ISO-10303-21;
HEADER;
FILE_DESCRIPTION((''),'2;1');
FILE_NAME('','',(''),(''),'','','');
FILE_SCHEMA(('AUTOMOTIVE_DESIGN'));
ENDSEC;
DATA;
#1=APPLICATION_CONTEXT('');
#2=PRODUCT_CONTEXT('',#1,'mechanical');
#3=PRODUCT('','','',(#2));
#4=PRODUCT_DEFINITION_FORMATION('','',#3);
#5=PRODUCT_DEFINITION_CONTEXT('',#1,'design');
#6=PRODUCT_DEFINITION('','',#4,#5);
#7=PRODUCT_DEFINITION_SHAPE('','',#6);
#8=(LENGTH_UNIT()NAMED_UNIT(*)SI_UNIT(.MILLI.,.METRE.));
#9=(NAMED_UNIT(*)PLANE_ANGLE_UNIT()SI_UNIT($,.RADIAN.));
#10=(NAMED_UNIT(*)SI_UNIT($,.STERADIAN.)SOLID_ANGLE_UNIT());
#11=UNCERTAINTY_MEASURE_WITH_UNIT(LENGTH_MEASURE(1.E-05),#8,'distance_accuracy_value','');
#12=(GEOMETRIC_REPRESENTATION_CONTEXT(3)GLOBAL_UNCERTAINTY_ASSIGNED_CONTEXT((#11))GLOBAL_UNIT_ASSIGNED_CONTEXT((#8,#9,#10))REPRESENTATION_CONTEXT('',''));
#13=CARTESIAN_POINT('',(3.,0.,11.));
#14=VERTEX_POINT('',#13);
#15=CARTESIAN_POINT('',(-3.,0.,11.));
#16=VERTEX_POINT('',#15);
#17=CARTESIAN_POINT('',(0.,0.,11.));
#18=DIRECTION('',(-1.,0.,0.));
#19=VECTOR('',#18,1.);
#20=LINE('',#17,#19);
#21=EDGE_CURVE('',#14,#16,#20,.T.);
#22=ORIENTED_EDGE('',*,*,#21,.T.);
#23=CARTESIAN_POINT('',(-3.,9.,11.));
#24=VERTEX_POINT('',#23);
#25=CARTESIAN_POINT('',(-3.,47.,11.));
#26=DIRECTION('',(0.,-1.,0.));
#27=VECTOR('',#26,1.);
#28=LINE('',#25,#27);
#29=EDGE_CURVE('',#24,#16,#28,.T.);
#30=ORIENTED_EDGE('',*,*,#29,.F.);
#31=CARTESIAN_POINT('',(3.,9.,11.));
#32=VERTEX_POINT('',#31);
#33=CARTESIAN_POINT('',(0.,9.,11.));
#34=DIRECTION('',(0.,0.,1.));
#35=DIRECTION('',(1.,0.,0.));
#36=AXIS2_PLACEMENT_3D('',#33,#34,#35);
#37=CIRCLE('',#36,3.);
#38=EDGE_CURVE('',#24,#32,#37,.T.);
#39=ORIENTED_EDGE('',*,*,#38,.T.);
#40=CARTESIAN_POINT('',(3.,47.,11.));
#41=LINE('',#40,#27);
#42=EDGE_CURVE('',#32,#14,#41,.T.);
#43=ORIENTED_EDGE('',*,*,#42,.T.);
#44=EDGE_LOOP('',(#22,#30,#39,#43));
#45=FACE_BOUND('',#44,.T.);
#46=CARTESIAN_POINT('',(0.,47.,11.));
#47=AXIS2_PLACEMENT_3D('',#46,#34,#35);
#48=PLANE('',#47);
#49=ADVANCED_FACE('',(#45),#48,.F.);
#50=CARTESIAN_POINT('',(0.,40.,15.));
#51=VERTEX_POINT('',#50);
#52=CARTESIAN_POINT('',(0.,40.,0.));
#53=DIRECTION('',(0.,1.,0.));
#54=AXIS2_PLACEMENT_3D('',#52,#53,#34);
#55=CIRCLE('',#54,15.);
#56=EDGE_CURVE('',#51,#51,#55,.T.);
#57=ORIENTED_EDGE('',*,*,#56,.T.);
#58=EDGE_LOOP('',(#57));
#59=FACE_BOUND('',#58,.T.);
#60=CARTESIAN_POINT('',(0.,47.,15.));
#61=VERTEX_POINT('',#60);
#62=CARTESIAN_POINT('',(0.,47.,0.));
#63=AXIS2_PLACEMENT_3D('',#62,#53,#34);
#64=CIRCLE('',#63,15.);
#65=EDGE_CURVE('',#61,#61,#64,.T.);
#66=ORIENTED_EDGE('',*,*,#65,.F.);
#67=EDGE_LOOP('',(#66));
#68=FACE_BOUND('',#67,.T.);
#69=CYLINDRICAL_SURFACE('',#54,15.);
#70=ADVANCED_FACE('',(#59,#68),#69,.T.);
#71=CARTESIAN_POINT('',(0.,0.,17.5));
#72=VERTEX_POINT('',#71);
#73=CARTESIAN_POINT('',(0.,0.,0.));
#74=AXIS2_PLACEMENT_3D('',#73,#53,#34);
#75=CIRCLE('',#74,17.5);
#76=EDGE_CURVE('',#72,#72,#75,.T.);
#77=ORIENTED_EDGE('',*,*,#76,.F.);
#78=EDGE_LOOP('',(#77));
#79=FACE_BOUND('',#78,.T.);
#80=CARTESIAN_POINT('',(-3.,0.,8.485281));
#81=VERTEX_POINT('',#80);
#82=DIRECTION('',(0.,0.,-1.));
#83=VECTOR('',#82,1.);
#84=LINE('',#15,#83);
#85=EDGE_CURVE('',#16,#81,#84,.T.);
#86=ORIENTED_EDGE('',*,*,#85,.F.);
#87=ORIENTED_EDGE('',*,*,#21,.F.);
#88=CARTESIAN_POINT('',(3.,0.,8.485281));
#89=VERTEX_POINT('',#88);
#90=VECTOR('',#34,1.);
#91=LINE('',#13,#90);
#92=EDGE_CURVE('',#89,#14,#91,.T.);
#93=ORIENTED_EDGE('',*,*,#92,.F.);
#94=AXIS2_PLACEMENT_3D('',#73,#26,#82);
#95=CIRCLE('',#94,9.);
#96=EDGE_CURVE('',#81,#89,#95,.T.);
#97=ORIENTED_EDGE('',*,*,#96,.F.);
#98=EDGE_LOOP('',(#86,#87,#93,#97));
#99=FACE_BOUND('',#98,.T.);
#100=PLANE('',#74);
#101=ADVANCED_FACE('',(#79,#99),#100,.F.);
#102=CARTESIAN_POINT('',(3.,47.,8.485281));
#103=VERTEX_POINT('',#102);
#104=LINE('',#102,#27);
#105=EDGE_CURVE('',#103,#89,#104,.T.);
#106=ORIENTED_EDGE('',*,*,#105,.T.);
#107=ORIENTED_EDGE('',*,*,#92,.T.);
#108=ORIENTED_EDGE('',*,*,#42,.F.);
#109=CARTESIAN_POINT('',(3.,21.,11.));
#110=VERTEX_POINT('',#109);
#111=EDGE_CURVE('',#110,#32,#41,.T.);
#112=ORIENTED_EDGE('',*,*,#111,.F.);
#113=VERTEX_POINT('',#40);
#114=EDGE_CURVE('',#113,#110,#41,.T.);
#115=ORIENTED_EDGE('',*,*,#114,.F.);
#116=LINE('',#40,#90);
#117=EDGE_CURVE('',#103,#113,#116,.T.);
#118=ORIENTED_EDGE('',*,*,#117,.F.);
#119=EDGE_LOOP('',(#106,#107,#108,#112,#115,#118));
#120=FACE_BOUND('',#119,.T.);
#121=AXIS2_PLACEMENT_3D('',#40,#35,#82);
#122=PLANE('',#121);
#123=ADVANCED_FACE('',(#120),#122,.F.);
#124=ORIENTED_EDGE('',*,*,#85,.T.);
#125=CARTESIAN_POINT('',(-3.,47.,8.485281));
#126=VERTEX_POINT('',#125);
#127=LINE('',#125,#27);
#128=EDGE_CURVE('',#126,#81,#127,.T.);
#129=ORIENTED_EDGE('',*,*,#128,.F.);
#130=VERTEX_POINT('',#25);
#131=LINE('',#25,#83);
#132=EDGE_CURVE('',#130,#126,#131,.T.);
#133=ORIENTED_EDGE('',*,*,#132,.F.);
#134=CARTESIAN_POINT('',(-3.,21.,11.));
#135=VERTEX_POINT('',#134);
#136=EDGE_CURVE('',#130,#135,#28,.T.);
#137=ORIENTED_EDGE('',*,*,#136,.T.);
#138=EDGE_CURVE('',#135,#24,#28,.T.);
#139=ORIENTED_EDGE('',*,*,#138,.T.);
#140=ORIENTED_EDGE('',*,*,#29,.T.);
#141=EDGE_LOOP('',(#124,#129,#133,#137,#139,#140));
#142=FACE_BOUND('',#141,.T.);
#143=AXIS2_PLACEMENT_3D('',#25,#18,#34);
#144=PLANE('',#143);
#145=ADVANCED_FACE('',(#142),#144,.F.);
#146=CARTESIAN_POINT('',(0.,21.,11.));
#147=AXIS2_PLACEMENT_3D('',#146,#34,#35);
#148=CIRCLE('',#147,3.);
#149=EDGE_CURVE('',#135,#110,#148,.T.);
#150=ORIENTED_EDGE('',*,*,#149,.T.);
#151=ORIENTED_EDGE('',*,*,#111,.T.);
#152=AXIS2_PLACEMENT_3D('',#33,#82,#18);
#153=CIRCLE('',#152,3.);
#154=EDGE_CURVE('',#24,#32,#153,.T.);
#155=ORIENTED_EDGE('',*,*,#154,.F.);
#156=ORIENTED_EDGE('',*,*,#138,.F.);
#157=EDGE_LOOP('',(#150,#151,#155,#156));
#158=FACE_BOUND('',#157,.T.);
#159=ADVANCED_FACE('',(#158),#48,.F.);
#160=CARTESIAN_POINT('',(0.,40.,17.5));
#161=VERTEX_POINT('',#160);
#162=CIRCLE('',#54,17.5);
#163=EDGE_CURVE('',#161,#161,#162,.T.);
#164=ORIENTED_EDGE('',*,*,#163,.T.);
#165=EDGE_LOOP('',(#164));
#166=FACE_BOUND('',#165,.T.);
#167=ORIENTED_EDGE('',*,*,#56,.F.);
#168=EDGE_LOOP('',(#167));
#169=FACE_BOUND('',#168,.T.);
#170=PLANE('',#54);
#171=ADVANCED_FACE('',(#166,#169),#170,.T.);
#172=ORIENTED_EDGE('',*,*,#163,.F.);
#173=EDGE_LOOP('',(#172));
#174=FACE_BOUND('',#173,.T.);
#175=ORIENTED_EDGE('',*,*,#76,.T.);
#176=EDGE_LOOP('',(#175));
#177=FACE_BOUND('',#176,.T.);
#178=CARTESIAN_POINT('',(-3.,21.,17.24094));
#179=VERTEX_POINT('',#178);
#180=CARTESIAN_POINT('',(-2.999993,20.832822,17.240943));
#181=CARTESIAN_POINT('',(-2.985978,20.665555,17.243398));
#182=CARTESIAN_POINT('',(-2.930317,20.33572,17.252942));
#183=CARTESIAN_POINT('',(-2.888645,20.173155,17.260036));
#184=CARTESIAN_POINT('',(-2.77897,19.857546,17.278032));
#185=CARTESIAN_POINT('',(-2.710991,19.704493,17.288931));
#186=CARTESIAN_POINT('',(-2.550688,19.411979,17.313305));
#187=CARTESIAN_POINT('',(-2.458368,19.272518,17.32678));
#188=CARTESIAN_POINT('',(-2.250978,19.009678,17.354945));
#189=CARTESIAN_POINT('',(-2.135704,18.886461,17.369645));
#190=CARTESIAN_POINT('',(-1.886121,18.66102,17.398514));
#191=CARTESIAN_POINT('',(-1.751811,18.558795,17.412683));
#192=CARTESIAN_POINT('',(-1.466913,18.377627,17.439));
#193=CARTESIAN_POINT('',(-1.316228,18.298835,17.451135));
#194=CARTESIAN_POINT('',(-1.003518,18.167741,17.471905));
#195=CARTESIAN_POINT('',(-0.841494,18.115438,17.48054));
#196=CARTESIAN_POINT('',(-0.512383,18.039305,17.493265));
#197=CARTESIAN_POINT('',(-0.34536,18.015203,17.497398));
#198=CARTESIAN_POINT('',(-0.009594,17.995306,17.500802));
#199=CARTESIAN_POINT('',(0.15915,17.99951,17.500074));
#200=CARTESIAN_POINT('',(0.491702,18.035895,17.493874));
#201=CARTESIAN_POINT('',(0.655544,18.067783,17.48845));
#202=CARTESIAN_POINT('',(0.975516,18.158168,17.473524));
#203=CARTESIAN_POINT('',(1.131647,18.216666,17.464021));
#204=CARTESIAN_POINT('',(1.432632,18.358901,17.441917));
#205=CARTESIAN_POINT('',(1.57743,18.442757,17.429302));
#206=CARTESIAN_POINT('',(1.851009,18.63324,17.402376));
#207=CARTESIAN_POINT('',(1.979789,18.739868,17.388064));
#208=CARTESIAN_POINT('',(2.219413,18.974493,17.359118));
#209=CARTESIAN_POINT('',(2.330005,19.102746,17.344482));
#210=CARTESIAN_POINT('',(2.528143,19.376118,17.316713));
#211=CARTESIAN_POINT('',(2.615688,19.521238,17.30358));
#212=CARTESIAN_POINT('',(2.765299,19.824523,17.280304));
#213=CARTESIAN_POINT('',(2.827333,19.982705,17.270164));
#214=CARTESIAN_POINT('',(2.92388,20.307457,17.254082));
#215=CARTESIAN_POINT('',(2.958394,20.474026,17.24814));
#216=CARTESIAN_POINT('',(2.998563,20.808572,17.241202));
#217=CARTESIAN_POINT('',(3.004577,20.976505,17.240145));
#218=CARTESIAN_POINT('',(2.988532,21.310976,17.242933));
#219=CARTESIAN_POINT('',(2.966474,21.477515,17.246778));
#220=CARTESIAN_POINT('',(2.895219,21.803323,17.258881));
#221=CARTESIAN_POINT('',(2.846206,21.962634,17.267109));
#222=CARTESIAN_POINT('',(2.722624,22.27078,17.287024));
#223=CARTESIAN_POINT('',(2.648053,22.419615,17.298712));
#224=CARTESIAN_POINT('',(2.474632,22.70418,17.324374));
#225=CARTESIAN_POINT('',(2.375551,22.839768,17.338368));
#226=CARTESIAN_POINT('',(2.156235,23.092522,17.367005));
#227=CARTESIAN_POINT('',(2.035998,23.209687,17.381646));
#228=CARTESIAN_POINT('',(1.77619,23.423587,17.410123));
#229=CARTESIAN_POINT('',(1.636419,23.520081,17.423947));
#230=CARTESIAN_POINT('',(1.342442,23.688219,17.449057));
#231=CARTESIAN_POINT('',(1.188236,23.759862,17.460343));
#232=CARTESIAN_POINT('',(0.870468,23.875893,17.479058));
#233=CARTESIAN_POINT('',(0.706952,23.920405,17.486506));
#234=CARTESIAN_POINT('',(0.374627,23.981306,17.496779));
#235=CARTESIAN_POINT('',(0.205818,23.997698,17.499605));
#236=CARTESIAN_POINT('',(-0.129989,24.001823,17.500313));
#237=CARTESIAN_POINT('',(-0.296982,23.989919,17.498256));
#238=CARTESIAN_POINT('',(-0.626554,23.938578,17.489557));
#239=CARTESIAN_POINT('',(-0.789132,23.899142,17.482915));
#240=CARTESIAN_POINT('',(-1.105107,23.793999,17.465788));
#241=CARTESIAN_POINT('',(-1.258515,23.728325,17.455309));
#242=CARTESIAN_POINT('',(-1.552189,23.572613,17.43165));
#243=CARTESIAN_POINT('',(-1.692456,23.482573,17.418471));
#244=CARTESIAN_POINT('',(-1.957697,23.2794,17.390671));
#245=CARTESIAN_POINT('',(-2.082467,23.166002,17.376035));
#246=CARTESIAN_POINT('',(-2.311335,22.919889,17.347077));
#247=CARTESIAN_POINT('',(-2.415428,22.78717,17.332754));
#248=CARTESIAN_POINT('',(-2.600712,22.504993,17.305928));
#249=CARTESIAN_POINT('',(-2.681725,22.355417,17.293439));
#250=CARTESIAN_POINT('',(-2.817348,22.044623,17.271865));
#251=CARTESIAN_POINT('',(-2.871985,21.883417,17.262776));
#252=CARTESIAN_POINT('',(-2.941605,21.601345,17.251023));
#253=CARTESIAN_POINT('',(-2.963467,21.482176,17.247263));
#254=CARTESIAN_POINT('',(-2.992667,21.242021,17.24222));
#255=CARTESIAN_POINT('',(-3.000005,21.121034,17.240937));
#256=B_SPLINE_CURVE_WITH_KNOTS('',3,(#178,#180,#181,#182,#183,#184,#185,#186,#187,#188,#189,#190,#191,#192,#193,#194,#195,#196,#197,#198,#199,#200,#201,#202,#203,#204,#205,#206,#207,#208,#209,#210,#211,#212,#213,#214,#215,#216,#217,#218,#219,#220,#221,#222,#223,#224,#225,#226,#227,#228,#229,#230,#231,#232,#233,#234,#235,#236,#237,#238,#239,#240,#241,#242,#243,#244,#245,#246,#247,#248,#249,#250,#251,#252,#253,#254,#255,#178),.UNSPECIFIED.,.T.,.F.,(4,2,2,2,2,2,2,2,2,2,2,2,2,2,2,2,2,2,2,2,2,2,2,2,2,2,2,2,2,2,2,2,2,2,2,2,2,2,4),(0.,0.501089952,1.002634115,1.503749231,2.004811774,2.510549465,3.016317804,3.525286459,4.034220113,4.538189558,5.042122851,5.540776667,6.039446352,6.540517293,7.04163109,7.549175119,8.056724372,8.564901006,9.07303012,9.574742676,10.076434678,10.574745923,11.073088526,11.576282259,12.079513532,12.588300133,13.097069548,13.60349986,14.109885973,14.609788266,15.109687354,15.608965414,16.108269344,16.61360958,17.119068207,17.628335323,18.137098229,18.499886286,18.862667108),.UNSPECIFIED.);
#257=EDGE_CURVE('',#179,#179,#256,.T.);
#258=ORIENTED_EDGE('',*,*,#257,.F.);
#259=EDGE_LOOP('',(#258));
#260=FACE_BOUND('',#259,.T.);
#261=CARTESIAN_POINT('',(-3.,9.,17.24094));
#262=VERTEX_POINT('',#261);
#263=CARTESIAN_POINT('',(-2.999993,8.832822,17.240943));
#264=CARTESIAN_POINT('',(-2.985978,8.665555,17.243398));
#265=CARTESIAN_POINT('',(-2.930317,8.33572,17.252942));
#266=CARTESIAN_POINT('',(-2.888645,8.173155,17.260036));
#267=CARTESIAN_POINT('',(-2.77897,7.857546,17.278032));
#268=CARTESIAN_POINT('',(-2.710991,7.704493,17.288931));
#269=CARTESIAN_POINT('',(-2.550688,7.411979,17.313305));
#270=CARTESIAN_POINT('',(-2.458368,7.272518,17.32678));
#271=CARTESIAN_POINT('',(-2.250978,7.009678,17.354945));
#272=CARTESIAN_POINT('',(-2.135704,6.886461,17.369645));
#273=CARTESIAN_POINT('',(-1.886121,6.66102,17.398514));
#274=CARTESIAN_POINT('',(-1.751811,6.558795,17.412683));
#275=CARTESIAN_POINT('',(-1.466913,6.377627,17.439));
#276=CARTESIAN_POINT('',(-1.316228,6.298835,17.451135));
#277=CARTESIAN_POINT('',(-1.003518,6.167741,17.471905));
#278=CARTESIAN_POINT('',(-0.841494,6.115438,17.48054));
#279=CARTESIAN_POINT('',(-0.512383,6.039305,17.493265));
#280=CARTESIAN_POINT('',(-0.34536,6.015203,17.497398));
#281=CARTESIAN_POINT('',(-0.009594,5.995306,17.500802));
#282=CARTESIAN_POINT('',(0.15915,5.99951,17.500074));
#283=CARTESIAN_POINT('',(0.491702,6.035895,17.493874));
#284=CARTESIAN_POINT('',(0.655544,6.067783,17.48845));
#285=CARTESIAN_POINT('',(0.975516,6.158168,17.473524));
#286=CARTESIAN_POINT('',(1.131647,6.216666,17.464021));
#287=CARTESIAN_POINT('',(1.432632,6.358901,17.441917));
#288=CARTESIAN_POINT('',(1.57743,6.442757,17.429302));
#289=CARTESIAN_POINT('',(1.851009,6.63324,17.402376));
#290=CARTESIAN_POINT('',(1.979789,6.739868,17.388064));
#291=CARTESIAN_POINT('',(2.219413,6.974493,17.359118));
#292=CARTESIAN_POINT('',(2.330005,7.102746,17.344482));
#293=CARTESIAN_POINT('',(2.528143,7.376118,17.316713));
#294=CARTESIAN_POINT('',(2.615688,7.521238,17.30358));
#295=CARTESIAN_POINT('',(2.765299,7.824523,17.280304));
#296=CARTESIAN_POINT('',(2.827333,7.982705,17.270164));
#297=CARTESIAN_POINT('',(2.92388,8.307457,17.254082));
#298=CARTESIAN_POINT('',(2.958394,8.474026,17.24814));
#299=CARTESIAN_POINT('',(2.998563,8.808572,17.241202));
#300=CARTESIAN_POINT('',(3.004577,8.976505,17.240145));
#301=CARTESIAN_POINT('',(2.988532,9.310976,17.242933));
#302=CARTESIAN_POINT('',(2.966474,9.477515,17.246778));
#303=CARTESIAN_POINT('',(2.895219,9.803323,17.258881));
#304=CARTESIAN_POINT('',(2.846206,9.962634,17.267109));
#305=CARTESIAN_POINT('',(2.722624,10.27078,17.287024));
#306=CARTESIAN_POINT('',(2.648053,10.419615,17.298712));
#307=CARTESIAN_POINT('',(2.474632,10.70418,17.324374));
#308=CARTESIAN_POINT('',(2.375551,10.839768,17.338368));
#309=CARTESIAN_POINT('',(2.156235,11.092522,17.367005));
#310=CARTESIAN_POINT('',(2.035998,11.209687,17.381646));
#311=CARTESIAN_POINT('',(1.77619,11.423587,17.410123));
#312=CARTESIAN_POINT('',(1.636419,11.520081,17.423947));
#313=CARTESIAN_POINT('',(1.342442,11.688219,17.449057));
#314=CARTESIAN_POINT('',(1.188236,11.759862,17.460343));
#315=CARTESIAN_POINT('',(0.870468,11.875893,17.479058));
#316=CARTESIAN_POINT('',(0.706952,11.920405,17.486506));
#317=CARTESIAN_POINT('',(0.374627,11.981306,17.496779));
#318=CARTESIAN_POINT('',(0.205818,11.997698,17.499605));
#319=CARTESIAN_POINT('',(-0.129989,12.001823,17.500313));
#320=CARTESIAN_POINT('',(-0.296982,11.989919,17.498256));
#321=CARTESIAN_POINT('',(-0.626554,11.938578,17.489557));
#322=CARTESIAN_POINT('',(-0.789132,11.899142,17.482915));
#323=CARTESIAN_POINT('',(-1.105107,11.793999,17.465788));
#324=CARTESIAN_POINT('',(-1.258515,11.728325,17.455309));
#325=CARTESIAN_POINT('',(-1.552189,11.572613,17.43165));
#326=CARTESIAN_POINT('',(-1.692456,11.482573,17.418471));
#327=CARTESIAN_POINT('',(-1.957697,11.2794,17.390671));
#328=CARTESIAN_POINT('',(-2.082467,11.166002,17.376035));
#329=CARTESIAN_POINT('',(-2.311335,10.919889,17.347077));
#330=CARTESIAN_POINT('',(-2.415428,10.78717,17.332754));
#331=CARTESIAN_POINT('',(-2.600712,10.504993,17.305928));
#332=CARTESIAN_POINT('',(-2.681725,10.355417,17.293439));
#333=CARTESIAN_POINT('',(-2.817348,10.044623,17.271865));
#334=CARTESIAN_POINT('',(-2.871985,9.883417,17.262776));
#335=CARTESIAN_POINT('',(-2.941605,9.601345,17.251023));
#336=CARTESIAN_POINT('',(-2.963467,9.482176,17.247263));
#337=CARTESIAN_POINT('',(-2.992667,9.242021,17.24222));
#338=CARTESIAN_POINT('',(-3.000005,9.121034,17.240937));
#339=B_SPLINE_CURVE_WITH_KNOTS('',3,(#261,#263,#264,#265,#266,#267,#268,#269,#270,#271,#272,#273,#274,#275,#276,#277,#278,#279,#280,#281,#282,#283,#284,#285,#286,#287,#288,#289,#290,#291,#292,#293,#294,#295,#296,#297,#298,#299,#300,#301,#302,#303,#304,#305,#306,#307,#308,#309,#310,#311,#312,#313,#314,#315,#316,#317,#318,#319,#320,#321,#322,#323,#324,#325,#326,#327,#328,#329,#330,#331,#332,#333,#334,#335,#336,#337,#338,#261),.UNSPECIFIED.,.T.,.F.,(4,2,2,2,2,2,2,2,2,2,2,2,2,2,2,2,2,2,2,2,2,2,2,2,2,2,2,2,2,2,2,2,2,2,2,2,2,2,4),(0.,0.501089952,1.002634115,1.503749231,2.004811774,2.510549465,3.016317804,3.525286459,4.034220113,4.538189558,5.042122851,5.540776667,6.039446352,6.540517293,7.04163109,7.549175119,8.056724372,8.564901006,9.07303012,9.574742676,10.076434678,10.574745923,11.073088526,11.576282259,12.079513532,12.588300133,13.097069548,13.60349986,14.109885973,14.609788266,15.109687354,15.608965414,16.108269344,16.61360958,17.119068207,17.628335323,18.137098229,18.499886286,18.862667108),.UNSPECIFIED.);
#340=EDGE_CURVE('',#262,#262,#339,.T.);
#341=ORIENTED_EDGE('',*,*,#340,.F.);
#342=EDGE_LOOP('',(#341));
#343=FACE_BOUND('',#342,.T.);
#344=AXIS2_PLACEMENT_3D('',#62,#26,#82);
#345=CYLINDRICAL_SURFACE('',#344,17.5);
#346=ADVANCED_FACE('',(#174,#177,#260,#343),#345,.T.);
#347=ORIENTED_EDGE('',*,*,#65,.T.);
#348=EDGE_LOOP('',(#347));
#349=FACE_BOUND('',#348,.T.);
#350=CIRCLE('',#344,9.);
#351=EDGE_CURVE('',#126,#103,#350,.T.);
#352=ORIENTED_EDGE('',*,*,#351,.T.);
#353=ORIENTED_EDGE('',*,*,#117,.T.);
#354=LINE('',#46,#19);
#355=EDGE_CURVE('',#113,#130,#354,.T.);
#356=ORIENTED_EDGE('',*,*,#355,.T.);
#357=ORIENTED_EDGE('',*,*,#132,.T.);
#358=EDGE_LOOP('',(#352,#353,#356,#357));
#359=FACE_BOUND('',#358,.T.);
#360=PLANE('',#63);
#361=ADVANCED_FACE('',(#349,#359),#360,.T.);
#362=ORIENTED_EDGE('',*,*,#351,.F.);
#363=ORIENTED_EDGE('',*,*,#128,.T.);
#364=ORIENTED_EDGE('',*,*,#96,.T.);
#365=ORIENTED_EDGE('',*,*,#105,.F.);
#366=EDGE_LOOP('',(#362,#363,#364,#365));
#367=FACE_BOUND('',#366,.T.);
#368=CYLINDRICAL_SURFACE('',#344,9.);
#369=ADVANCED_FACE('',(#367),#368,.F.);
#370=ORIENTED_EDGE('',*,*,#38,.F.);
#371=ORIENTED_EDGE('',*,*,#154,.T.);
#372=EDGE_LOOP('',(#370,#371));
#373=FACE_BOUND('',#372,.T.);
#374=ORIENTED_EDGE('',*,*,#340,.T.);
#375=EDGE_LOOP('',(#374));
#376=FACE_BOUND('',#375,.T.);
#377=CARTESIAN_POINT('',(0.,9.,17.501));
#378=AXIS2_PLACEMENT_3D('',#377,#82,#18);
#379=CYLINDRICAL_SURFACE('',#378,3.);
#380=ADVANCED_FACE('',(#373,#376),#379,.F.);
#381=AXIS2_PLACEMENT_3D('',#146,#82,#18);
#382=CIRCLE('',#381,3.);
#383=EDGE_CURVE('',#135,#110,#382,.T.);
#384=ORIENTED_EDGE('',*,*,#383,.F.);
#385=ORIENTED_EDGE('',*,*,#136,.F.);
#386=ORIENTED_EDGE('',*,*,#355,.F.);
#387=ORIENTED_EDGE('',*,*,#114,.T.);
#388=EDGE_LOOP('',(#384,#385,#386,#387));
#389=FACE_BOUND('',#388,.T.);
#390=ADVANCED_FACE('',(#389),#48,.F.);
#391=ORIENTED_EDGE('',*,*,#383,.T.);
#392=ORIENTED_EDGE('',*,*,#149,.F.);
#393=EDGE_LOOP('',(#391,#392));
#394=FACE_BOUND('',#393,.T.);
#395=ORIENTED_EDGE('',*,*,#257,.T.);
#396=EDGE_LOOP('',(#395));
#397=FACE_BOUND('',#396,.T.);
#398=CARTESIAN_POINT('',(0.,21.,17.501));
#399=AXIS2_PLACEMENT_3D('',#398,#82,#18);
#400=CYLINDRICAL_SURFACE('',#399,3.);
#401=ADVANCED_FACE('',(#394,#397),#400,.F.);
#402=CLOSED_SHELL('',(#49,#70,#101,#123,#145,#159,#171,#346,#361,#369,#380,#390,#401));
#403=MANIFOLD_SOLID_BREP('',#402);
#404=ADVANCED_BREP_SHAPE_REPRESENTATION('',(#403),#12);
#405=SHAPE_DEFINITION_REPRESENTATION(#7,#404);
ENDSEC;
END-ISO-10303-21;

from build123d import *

# Parameters (mm, degrees)
SKETCH1_R               = 17.5
BOSS_EXTRUDE1_DEPTH     = 47
CUT_EXTRUDE1_START      = -7
SKETCH2_R               = 17.5
SKETCH2_R_2             = 15
CUT_EXTRUDE1_DEPTH      = 7
CUT_EXTRUDE2_DEPTH      = 54.117793629
CUT_EXTRUDE3_REACH      = 59.684
CUT_EXTRUDE3_END_RADIUS = 17.5
SKETCH4_R               = 3


with BuildPart() as part:
    # Sketch1 → Boss-Extrude1 (new body)
    with BuildSketch(Plane(origin=(0, 0, 0), x_dir=(1, 0, 0), z_dir=(0, 1, 0))):
        with Locations(Location((0, 0, 0), (0, 0, 270))):
            Circle(SKETCH1_R)
    extrude(amount=BOSS_EXTRUDE1_DEPTH)

    # Sketch2 → Cut-Extrude1 (cut)
    with BuildSketch(Plane(origin=(0, 47, 0), x_dir=(1, 0, 0), z_dir=(0, 1, 0)).offset(CUT_EXTRUDE1_START)):
        with Locations(Location((0, 0, 0), (0, 0, 270))):
            Circle(SKETCH2_R)
        with Locations(Location((0, 0, 0), (0, 0, 270))):
            Circle(SKETCH2_R_2, mode=Mode.SUBTRACT)
    extrude(amount=CUT_EXTRUDE1_DEPTH, mode=Mode.SUBTRACT)

    # Sketch3 → Cut-Extrude2 (cut, through all)
    with BuildSketch(Plane.XZ):
        with BuildLine():
            Line((0, 11), (-3, 11))
            Line((-3, 11), (-3, 8.485281374))
            ThreePointArc((-3, 8.485281374), (0, -9), (3, 8.485281374))
            Line((3, 8.485281374), (3, 11))
            Line((3, 11), (0, 11))
        make_face()
    extrude(amount=-CUT_EXTRUDE2_DEPTH, mode=Mode.SUBTRACT)

    # Cut-Extrude3: up to this cylinder (the profile starts inside it)
    cut_extrude3_end = Plane(origin=(0, 15, 0), z_dir=(0, -1, 0)) * Cylinder(CUT_EXTRUDE3_END_RADIUS, 167.368, mode=Mode.PRIVATE)
    # Sketch4 → Cut-Extrude3 (cut, up to the surface)
    with BuildSketch(Plane(origin=(0, 0, 11), x_dir=(-1, 0, 0), z_dir=(0, 0, -1)), mode=Mode.PRIVATE) as cut_extrude3_sk1:
        with Locations((0, 9)):
            Circle(SKETCH4_R)
    cut_extrude3_tool1 = extrude(cut_extrude3_sk1.sketch, amount=-CUT_EXTRUDE3_REACH, mode=Mode.PRIVATE) & cut_extrude3_end
    add(cut_extrude3_tool1.solids().sort_by_distance((0, 9, 11))[0], mode=Mode.SUBTRACT)
    # Sketch4 → Cut-Extrude3 (cut, up to the surface)
    with BuildSketch(Plane(origin=(0, 0, 11), x_dir=(-1, 0, 0), z_dir=(0, 0, -1)), mode=Mode.PRIVATE) as cut_extrude3_sk2:
        with Locations((0, 21)):
            Circle(SKETCH4_R)
    cut_extrude3_tool2 = extrude(cut_extrude3_sk2.sketch, amount=-CUT_EXTRUDE3_REACH, mode=Mode.PRIVATE) & cut_extrude3_end
    add(cut_extrude3_tool2.solids().sort_by_distance((0, 21, 11))[0], mode=Mode.SUBTRACT)


solid = part.part
